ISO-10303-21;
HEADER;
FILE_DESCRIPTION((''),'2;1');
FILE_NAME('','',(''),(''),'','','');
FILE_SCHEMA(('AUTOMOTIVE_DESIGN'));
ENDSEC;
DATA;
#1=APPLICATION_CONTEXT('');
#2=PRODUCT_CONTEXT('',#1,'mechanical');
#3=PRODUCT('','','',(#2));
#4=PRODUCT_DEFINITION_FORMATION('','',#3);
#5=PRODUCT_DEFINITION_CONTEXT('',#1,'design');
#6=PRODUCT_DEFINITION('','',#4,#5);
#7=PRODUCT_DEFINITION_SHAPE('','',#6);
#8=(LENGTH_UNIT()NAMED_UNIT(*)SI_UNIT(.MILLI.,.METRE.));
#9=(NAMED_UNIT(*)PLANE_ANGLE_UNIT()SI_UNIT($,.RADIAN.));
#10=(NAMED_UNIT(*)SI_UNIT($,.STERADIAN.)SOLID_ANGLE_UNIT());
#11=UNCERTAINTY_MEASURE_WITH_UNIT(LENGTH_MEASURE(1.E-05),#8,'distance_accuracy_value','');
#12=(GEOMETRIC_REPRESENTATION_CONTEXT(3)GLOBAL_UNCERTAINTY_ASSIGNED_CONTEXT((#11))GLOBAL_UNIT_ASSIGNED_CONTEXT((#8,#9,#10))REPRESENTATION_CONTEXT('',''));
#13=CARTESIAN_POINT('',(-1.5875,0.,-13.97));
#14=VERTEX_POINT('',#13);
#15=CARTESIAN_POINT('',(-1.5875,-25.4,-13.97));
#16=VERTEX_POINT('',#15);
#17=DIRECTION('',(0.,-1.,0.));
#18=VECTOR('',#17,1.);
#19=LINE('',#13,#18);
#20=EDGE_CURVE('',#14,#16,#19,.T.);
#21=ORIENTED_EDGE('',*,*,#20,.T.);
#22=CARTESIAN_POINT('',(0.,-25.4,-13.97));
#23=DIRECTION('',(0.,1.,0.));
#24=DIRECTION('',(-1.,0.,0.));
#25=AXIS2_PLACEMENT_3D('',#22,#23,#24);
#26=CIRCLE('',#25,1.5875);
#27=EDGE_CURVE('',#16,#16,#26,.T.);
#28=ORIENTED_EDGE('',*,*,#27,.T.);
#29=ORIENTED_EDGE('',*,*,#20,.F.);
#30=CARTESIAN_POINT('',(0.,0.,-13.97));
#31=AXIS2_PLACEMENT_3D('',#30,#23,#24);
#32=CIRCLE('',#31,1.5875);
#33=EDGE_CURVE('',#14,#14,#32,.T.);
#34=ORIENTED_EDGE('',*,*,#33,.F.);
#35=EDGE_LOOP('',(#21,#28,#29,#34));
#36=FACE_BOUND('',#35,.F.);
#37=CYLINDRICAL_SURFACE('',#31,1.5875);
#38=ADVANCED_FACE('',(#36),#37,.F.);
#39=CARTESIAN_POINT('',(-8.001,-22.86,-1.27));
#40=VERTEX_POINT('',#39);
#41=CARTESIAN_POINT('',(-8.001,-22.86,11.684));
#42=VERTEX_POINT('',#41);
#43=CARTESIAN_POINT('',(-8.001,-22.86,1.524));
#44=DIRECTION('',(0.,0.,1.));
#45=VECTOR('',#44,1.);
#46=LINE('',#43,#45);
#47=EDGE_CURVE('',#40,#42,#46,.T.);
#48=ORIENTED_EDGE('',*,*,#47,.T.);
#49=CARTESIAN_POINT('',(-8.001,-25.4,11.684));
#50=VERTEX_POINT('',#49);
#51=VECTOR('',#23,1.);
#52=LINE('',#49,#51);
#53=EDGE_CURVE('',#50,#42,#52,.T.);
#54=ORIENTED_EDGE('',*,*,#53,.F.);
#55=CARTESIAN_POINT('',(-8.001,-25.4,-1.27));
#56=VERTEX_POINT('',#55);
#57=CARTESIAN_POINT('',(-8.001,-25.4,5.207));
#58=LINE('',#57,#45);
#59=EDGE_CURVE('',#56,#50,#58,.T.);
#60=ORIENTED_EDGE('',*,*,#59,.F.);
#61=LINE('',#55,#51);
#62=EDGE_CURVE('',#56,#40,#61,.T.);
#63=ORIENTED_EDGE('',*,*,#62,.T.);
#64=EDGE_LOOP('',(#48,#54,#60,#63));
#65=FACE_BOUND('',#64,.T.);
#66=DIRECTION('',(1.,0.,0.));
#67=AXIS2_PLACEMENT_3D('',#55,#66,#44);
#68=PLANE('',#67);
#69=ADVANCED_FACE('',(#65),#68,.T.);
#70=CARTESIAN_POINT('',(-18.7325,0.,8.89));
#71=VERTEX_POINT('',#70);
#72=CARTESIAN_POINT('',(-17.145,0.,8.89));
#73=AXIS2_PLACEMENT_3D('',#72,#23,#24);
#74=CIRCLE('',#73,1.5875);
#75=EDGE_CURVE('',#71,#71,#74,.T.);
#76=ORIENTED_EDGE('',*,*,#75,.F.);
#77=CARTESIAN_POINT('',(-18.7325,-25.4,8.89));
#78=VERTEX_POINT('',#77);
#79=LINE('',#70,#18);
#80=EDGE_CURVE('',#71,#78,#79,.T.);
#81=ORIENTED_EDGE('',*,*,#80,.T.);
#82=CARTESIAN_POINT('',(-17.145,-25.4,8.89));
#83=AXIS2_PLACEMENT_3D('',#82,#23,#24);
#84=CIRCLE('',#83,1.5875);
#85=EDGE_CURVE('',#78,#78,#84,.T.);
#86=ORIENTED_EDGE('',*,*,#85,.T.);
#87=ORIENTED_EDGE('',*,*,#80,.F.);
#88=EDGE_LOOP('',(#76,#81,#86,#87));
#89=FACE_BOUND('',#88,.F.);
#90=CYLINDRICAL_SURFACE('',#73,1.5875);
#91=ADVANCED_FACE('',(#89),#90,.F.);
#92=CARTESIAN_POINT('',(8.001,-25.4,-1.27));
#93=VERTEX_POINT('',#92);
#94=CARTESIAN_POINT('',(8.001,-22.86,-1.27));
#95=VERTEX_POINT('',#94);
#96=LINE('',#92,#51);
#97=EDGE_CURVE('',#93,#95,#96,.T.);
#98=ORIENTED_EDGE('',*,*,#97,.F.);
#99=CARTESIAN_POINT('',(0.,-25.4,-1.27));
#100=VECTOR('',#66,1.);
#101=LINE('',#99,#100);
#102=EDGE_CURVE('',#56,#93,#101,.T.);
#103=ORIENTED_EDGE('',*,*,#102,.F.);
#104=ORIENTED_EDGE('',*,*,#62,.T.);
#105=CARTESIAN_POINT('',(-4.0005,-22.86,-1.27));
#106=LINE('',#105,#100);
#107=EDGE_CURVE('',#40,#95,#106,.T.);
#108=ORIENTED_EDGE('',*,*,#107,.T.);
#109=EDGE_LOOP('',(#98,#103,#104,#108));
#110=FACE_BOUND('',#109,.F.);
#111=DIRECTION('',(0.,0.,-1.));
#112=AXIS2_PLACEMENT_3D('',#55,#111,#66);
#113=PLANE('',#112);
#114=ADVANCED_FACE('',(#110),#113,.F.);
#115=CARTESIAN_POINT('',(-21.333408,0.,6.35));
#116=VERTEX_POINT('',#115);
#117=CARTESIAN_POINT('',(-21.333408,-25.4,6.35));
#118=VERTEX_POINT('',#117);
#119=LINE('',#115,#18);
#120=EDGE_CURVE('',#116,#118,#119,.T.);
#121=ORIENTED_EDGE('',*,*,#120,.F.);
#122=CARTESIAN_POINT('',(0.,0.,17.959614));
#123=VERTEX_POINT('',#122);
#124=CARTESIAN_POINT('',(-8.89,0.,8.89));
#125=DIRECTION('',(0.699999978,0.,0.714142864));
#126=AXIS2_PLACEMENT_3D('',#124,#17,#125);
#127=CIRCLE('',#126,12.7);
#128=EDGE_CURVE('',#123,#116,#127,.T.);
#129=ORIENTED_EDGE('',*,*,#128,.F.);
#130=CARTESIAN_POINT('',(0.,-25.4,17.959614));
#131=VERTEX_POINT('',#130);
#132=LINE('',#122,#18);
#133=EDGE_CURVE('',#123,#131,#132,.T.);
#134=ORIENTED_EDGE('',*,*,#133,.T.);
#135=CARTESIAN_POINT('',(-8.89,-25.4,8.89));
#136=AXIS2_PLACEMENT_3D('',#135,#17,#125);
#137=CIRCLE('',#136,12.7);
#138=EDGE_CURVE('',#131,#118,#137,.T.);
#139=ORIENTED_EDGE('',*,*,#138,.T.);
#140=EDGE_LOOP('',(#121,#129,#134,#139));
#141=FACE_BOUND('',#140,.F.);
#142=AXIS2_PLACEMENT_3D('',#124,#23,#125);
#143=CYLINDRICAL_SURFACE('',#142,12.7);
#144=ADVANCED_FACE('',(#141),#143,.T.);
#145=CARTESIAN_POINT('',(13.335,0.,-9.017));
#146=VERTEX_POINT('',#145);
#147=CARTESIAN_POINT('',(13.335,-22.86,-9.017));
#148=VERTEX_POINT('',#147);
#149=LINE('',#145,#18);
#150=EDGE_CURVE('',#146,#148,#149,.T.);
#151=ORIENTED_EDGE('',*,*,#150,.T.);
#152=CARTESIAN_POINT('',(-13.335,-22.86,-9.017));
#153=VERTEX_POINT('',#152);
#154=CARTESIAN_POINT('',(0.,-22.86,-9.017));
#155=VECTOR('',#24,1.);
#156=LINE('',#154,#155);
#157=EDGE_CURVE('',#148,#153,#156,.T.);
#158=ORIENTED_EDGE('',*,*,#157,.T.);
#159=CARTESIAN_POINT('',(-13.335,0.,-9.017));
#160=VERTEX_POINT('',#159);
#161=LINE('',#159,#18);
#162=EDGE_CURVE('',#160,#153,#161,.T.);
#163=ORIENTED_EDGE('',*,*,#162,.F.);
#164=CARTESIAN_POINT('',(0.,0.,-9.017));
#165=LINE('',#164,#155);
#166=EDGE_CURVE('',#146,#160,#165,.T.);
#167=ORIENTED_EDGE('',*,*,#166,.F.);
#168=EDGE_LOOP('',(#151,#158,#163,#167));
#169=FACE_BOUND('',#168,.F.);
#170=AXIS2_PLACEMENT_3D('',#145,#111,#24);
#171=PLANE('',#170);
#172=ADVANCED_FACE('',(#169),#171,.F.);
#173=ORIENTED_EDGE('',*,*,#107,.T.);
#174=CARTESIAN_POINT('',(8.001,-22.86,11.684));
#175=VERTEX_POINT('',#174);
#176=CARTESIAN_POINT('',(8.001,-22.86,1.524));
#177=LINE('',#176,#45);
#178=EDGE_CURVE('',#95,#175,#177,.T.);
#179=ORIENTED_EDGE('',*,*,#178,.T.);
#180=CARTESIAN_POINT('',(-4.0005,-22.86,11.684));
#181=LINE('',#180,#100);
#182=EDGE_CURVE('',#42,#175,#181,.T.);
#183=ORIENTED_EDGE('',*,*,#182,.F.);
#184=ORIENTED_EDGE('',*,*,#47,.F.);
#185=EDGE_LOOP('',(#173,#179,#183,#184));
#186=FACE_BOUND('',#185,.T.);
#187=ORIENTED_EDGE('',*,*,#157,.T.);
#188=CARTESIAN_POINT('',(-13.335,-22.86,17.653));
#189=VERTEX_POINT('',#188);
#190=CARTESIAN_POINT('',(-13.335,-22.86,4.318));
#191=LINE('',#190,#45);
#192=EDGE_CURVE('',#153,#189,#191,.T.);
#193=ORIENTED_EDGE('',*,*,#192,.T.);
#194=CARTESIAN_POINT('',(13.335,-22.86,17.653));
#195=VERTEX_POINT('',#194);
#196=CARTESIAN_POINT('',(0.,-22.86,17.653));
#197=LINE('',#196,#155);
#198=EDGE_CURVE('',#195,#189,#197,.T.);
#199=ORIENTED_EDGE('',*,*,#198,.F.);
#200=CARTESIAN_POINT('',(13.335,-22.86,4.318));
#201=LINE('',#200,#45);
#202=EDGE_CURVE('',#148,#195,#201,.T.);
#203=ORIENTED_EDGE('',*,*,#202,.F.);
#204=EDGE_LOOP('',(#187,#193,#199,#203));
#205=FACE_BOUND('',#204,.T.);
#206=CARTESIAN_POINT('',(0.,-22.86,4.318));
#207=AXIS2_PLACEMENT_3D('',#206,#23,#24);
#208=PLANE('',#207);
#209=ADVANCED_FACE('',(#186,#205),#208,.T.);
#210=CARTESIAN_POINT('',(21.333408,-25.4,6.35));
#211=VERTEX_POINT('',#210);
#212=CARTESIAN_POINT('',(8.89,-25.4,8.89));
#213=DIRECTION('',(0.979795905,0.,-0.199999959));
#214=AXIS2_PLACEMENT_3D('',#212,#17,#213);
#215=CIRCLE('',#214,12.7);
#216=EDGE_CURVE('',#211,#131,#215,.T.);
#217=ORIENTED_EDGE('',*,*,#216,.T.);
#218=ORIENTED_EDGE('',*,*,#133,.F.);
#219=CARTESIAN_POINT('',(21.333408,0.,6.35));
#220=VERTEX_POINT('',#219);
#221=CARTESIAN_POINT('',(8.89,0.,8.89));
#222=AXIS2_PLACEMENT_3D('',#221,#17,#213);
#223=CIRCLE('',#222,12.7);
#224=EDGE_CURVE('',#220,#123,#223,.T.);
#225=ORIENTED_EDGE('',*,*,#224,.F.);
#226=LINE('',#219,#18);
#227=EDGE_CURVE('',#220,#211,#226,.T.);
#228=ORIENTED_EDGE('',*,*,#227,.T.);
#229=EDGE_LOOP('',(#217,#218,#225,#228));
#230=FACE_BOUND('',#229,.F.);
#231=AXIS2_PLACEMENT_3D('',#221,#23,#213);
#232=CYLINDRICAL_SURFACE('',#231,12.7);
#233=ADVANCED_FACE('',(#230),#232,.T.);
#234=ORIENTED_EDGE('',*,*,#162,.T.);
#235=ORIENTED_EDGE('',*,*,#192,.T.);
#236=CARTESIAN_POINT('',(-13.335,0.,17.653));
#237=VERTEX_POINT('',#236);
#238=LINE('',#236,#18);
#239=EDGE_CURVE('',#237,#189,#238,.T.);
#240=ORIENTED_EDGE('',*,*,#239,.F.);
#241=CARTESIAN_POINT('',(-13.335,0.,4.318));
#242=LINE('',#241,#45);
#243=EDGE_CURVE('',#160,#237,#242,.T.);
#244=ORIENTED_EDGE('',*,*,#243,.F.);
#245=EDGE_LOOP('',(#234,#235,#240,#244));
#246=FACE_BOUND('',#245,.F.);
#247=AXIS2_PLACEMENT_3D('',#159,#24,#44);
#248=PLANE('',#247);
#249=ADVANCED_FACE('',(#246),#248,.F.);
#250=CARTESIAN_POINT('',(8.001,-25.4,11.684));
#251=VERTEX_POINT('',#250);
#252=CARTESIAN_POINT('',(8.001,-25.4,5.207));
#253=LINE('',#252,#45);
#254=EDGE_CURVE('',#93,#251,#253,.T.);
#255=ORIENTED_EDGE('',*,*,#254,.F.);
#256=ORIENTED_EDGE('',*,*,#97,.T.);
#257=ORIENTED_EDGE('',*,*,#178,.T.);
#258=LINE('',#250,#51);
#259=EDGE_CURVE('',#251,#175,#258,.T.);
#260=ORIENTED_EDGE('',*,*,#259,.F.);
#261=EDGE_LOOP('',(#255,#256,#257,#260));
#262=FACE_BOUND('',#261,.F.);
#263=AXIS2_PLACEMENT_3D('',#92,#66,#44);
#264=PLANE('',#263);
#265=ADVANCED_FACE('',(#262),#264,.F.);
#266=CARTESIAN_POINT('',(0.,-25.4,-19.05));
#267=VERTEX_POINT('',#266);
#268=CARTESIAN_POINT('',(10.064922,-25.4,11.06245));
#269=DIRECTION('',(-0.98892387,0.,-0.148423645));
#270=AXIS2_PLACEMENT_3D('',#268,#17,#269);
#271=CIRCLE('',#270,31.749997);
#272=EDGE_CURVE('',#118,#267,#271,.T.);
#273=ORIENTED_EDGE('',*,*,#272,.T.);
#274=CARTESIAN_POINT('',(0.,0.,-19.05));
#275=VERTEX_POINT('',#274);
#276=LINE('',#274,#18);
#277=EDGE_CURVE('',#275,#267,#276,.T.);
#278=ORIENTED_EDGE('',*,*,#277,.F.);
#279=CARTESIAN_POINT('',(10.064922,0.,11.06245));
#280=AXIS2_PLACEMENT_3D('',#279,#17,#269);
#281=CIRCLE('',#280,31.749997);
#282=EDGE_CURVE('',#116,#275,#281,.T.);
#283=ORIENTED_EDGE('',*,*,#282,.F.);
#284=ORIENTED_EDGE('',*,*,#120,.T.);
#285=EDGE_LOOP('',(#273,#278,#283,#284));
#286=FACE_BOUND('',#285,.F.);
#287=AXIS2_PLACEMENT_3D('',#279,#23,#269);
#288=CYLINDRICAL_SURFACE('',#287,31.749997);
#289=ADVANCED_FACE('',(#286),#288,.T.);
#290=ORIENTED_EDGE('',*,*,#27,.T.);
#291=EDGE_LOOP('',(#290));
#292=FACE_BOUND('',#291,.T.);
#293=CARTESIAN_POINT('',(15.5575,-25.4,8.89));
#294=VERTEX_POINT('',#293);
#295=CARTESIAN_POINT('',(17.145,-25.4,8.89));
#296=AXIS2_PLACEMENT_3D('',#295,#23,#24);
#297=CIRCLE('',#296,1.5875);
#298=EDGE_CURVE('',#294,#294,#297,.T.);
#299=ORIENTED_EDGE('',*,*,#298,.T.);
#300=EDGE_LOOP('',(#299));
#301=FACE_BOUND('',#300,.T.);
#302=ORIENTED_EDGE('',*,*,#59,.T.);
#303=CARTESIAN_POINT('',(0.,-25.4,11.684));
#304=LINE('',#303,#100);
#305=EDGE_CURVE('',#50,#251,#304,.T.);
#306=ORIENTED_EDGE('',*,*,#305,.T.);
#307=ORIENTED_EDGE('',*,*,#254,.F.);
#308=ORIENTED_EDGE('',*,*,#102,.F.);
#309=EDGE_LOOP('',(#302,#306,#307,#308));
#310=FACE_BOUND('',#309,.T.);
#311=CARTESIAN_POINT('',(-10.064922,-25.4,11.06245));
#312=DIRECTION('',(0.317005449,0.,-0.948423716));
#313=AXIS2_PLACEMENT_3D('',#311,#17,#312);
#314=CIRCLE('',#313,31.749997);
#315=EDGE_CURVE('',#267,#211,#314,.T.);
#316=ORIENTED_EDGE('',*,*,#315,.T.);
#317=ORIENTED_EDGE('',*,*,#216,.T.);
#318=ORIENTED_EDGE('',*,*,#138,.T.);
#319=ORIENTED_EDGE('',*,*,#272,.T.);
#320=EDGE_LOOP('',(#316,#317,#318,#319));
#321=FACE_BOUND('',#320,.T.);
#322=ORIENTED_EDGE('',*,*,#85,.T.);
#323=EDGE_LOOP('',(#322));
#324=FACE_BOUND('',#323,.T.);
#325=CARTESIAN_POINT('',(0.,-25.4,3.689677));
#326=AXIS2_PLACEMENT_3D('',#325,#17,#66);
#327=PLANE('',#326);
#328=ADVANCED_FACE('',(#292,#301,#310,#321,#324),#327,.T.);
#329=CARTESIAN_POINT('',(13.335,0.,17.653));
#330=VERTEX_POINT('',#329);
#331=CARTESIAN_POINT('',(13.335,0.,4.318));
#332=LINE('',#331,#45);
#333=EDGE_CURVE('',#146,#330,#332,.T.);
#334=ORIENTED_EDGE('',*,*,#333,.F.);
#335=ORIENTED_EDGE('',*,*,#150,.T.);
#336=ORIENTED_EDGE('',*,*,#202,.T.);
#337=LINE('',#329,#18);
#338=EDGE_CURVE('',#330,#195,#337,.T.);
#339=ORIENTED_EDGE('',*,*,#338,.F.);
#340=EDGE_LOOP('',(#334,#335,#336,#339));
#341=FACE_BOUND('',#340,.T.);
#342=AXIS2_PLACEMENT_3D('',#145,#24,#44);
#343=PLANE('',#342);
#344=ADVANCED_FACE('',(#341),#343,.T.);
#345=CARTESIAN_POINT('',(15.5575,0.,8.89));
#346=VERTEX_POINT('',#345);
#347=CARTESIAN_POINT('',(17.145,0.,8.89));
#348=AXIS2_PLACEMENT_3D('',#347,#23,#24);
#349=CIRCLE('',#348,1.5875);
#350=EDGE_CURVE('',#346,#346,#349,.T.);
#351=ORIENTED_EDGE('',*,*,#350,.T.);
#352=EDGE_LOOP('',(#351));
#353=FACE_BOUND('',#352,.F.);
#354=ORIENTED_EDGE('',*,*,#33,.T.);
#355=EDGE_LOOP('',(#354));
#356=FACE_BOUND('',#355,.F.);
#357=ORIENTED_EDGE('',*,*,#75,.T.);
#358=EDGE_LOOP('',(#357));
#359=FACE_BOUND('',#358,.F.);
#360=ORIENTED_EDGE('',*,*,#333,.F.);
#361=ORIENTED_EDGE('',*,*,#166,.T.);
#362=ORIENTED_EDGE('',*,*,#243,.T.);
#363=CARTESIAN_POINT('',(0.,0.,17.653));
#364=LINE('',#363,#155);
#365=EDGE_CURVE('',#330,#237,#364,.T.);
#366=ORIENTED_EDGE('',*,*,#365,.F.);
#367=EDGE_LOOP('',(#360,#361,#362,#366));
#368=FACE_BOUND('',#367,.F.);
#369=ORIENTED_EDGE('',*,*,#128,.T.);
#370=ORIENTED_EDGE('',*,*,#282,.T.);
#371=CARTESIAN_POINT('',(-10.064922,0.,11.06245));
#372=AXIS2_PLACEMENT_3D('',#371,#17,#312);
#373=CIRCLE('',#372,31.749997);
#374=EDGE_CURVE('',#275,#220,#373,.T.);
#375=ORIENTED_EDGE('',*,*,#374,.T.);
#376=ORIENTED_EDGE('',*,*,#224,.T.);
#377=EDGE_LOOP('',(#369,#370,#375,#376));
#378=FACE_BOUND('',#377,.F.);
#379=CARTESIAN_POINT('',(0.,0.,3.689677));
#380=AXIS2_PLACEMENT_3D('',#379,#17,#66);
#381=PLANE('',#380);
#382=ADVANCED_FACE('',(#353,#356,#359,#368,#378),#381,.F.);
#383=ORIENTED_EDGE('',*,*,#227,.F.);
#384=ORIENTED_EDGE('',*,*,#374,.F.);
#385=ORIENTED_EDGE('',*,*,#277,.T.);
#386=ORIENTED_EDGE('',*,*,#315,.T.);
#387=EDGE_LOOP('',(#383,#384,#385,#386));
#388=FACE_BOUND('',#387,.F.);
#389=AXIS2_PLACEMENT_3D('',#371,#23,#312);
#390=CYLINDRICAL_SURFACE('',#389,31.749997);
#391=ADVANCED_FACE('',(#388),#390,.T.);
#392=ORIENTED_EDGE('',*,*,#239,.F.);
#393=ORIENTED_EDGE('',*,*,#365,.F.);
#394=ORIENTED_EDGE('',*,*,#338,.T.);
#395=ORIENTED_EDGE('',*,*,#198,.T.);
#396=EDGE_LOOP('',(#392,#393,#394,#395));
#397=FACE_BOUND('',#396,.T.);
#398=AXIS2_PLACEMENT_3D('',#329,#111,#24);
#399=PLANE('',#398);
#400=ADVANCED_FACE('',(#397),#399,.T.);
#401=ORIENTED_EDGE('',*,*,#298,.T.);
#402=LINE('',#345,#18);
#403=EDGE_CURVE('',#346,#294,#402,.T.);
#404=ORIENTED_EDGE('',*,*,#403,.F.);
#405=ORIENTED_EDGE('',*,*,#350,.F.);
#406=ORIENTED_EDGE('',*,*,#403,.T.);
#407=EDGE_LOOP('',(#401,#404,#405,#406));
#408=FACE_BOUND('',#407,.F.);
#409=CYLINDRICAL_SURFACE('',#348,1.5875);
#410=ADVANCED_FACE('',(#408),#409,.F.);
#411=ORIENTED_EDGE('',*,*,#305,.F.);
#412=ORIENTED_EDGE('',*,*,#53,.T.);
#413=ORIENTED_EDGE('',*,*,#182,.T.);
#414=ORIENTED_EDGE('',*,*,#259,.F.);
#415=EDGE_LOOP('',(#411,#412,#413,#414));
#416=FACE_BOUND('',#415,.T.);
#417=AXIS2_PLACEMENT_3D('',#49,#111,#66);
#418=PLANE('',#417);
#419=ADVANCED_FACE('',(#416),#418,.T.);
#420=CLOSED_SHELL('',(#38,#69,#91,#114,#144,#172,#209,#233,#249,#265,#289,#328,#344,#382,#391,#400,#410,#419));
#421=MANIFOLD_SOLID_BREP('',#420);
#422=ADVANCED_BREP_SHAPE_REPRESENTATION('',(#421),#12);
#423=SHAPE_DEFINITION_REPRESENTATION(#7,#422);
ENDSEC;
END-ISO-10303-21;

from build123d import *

# Parameters (mm, degrees)
F1_DEPTH = 25.4
F2_W     = 16.002
F2_H     = 12.954
F3_DEPTH = 25.401
F4_W     = 26.67
F4_H     = 26.67
F5_DEPTH = 22.86
F6_R     = 1.5875
F7_DEPTH = 25.401


with BuildPart() as f1:
    # F0 (on Front) → F1 (new body)
    with BuildSketch(Plane.XZ):
        with BuildLine():
            ThreePointArc((0, -19.05), (14.247427, -9.357442), (21.333408, 6.35))
            ThreePointArc((21.333408, 6.35), (14.960623, 20.045157), (0, 17.959614))
            ThreePointArc((0, 17.959614), (-14.960623, 20.045157), (-21.333408, 6.35))
            ThreePointArc((-21.333408, 6.35), (-14.247427, -9.357442), (0, -19.05))
        make_face()
    extrude(amount=F1_DEPTH)

    # F2 (on face) → F3 (cut, through all)
    with BuildSketch(Plane.XZ.offset(25.4)):
        with Locations((0, 5.207)):
            Rectangle(F2_W, F2_H)
    extrude(amount=-F3_DEPTH, mode=Mode.SUBTRACT)

    # F4 (on face) → F5 (cut)
    with BuildSketch(Plane(origin=(0, 0, 0), x_dir=(-1, 0, 0), z_dir=(0, 1, 0))):
        with Locations((0, 4.318)):
            Rectangle(F4_W, F4_H)
    extrude(amount=-F5_DEPTH, mode=Mode.SUBTRACT)

    # F6 (on face) → F7 (cut, through all)
    with BuildSketch(Plane(origin=(0, 0, 0), x_dir=(-1, 0, 0), z_dir=(0, 1, 0))):
        with Locations((-17.145, 8.89)):
            Circle(F6_R)
        with Locations((17.145, 8.89)):
            Circle(F6_R)
        with Locations((0, -13.97)):
            Circle(F6_R)
    extrude(amount=-F7_DEPTH, mode=Mode.SUBTRACT)


solid = f1.part
